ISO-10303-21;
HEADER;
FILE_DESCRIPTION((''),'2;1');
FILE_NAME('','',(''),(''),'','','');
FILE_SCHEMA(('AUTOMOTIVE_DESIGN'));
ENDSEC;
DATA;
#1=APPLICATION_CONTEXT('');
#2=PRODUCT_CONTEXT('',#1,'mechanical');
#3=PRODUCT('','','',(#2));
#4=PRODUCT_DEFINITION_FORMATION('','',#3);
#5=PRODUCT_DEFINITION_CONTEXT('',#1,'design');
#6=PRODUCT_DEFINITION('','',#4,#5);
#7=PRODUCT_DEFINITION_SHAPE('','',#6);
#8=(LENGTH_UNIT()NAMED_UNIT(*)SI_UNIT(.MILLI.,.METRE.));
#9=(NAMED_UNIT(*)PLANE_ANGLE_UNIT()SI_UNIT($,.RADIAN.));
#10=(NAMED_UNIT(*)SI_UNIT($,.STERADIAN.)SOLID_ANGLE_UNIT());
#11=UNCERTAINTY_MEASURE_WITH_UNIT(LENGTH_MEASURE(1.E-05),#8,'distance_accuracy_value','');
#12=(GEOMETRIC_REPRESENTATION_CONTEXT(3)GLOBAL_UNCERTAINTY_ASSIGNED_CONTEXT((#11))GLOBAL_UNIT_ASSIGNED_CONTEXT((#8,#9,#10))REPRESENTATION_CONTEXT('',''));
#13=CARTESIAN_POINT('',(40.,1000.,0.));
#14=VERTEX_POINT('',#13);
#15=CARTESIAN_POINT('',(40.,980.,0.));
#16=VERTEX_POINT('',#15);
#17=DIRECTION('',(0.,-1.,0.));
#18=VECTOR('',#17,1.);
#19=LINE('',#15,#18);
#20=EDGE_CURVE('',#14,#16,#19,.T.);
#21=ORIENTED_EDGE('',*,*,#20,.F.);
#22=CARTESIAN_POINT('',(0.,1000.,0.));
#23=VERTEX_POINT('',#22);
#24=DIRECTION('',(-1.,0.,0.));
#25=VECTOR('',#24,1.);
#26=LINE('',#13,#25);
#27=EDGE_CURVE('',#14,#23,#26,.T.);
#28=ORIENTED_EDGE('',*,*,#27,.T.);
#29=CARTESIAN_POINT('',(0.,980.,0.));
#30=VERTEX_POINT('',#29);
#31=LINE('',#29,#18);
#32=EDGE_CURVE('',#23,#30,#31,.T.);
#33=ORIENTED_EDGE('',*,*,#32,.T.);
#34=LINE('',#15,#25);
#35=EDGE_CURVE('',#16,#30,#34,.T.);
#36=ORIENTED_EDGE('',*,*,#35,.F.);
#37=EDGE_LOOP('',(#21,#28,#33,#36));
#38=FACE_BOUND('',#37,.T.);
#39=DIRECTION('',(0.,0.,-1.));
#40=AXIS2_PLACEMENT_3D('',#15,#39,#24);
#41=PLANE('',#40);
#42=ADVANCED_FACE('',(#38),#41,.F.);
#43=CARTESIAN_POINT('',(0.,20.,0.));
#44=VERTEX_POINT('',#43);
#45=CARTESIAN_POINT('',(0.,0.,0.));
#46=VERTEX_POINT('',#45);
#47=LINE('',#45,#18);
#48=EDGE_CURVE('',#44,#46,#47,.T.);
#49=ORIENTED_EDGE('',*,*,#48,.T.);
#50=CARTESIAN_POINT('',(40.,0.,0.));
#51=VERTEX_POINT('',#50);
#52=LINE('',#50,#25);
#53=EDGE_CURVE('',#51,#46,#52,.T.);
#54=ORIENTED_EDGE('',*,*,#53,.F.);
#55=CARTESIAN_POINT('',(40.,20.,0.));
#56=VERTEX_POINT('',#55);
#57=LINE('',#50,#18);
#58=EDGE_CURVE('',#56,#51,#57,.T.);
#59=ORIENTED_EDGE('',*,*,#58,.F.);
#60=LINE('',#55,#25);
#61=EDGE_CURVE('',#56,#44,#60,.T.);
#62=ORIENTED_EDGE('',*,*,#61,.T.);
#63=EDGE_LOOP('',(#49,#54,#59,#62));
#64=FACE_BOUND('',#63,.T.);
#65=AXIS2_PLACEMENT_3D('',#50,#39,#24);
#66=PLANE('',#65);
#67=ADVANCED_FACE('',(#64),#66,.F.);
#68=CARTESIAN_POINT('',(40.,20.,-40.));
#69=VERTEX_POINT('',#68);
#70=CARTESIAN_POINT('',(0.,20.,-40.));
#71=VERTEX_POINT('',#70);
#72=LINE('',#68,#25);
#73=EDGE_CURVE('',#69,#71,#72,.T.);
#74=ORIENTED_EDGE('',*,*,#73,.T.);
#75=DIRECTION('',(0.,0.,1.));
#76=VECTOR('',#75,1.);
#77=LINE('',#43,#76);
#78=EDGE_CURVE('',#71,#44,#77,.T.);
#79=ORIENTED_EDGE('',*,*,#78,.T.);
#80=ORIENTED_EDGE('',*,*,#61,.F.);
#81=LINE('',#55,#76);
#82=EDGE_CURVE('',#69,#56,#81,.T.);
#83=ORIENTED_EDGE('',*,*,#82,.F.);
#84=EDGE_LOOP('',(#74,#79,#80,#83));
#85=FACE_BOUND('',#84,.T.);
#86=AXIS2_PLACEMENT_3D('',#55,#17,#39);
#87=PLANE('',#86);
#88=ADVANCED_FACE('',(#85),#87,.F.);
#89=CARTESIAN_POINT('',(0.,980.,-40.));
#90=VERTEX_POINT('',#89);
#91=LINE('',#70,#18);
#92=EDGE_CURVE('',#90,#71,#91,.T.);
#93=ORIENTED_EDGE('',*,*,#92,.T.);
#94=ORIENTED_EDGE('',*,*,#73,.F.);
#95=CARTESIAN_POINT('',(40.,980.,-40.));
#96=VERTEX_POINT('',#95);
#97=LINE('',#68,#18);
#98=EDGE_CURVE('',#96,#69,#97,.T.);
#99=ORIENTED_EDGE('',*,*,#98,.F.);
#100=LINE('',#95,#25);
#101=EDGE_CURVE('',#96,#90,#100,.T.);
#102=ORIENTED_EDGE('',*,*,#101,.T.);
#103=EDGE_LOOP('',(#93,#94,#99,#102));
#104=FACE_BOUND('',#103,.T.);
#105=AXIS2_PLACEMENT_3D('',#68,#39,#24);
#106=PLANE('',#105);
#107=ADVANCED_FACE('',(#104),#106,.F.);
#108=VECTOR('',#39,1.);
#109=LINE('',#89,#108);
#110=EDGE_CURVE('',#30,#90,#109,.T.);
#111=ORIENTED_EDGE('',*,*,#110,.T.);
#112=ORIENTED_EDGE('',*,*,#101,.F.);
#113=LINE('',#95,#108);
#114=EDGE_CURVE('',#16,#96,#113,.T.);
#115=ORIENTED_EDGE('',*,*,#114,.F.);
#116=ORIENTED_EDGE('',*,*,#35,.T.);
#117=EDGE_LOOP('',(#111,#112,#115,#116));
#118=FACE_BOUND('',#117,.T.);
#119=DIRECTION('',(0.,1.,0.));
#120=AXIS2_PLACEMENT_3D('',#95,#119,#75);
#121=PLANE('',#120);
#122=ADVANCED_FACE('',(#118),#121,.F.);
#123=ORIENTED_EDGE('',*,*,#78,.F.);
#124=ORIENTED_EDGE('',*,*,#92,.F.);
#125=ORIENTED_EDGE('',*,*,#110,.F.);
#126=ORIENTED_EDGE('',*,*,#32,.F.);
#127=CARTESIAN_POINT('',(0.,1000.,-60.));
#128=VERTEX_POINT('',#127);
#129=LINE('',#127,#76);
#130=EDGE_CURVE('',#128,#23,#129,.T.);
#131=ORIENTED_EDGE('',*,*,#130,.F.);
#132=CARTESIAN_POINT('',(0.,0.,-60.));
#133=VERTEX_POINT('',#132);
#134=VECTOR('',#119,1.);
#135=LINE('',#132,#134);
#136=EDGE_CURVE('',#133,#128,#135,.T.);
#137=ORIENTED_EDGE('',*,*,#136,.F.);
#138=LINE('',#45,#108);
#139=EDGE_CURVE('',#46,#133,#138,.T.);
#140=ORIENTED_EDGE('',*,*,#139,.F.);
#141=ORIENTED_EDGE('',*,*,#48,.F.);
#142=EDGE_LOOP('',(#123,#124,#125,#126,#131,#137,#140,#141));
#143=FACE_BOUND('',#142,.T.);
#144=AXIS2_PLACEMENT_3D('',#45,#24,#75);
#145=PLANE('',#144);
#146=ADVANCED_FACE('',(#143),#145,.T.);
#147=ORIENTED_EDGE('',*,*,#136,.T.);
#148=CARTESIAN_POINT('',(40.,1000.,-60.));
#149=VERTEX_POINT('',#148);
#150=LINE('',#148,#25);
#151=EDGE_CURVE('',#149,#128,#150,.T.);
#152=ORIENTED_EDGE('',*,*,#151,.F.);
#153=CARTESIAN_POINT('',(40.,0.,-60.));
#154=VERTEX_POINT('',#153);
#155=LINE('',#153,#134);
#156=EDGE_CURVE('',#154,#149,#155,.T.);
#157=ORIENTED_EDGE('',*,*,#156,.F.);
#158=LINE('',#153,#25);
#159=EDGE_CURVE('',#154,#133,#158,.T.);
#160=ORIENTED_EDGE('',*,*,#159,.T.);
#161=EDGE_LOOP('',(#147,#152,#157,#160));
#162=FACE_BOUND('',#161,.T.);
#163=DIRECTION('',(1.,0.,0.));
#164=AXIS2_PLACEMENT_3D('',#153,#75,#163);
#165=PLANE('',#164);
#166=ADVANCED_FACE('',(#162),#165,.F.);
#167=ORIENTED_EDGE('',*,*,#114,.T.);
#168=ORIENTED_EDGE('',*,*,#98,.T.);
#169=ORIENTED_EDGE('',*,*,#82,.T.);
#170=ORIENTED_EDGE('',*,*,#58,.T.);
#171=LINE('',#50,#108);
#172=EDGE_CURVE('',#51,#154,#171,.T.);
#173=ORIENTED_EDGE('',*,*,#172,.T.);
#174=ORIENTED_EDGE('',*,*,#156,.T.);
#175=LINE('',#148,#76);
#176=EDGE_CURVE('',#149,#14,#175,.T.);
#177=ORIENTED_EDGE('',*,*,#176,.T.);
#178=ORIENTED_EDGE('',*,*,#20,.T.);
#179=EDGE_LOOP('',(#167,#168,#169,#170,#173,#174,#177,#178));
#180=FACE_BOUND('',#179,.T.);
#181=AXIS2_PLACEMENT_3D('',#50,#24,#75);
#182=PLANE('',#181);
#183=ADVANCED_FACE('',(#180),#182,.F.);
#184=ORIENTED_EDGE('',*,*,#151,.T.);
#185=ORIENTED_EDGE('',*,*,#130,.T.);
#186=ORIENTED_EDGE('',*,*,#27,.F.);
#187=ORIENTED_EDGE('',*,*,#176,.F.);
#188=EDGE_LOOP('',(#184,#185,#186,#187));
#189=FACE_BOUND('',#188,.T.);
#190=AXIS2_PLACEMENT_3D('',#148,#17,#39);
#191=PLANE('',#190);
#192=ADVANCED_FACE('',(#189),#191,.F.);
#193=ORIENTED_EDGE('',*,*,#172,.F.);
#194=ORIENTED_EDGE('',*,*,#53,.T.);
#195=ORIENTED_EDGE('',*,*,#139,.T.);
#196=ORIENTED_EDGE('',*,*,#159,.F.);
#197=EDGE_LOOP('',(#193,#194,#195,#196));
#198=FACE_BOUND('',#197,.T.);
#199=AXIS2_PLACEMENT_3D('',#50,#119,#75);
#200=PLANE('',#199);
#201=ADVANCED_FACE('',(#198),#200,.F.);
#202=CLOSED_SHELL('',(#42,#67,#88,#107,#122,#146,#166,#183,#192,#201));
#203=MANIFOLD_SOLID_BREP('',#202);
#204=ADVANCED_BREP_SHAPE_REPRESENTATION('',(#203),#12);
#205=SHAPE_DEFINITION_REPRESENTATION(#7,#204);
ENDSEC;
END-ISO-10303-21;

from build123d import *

# Parameters (mm, degrees)
EXTRUDE_1_DEPTH = 40


with BuildPart() as part:
    # Эскиз1 → Бобышка-Вытянуть1 (new body)
    with BuildSketch(Plane(origin=(0, 0, 0), x_dir=(0, 0, -1), z_dir=(1, 0, 0))):
        Polygon((0, 0), (60, 0), (60, 1000), (0, 1000), (0, 980), (40, 980), (40, 20), (0, 20), align=None)
    extrude(amount=EXTRUDE_1_DEPTH)


solid = part.part
